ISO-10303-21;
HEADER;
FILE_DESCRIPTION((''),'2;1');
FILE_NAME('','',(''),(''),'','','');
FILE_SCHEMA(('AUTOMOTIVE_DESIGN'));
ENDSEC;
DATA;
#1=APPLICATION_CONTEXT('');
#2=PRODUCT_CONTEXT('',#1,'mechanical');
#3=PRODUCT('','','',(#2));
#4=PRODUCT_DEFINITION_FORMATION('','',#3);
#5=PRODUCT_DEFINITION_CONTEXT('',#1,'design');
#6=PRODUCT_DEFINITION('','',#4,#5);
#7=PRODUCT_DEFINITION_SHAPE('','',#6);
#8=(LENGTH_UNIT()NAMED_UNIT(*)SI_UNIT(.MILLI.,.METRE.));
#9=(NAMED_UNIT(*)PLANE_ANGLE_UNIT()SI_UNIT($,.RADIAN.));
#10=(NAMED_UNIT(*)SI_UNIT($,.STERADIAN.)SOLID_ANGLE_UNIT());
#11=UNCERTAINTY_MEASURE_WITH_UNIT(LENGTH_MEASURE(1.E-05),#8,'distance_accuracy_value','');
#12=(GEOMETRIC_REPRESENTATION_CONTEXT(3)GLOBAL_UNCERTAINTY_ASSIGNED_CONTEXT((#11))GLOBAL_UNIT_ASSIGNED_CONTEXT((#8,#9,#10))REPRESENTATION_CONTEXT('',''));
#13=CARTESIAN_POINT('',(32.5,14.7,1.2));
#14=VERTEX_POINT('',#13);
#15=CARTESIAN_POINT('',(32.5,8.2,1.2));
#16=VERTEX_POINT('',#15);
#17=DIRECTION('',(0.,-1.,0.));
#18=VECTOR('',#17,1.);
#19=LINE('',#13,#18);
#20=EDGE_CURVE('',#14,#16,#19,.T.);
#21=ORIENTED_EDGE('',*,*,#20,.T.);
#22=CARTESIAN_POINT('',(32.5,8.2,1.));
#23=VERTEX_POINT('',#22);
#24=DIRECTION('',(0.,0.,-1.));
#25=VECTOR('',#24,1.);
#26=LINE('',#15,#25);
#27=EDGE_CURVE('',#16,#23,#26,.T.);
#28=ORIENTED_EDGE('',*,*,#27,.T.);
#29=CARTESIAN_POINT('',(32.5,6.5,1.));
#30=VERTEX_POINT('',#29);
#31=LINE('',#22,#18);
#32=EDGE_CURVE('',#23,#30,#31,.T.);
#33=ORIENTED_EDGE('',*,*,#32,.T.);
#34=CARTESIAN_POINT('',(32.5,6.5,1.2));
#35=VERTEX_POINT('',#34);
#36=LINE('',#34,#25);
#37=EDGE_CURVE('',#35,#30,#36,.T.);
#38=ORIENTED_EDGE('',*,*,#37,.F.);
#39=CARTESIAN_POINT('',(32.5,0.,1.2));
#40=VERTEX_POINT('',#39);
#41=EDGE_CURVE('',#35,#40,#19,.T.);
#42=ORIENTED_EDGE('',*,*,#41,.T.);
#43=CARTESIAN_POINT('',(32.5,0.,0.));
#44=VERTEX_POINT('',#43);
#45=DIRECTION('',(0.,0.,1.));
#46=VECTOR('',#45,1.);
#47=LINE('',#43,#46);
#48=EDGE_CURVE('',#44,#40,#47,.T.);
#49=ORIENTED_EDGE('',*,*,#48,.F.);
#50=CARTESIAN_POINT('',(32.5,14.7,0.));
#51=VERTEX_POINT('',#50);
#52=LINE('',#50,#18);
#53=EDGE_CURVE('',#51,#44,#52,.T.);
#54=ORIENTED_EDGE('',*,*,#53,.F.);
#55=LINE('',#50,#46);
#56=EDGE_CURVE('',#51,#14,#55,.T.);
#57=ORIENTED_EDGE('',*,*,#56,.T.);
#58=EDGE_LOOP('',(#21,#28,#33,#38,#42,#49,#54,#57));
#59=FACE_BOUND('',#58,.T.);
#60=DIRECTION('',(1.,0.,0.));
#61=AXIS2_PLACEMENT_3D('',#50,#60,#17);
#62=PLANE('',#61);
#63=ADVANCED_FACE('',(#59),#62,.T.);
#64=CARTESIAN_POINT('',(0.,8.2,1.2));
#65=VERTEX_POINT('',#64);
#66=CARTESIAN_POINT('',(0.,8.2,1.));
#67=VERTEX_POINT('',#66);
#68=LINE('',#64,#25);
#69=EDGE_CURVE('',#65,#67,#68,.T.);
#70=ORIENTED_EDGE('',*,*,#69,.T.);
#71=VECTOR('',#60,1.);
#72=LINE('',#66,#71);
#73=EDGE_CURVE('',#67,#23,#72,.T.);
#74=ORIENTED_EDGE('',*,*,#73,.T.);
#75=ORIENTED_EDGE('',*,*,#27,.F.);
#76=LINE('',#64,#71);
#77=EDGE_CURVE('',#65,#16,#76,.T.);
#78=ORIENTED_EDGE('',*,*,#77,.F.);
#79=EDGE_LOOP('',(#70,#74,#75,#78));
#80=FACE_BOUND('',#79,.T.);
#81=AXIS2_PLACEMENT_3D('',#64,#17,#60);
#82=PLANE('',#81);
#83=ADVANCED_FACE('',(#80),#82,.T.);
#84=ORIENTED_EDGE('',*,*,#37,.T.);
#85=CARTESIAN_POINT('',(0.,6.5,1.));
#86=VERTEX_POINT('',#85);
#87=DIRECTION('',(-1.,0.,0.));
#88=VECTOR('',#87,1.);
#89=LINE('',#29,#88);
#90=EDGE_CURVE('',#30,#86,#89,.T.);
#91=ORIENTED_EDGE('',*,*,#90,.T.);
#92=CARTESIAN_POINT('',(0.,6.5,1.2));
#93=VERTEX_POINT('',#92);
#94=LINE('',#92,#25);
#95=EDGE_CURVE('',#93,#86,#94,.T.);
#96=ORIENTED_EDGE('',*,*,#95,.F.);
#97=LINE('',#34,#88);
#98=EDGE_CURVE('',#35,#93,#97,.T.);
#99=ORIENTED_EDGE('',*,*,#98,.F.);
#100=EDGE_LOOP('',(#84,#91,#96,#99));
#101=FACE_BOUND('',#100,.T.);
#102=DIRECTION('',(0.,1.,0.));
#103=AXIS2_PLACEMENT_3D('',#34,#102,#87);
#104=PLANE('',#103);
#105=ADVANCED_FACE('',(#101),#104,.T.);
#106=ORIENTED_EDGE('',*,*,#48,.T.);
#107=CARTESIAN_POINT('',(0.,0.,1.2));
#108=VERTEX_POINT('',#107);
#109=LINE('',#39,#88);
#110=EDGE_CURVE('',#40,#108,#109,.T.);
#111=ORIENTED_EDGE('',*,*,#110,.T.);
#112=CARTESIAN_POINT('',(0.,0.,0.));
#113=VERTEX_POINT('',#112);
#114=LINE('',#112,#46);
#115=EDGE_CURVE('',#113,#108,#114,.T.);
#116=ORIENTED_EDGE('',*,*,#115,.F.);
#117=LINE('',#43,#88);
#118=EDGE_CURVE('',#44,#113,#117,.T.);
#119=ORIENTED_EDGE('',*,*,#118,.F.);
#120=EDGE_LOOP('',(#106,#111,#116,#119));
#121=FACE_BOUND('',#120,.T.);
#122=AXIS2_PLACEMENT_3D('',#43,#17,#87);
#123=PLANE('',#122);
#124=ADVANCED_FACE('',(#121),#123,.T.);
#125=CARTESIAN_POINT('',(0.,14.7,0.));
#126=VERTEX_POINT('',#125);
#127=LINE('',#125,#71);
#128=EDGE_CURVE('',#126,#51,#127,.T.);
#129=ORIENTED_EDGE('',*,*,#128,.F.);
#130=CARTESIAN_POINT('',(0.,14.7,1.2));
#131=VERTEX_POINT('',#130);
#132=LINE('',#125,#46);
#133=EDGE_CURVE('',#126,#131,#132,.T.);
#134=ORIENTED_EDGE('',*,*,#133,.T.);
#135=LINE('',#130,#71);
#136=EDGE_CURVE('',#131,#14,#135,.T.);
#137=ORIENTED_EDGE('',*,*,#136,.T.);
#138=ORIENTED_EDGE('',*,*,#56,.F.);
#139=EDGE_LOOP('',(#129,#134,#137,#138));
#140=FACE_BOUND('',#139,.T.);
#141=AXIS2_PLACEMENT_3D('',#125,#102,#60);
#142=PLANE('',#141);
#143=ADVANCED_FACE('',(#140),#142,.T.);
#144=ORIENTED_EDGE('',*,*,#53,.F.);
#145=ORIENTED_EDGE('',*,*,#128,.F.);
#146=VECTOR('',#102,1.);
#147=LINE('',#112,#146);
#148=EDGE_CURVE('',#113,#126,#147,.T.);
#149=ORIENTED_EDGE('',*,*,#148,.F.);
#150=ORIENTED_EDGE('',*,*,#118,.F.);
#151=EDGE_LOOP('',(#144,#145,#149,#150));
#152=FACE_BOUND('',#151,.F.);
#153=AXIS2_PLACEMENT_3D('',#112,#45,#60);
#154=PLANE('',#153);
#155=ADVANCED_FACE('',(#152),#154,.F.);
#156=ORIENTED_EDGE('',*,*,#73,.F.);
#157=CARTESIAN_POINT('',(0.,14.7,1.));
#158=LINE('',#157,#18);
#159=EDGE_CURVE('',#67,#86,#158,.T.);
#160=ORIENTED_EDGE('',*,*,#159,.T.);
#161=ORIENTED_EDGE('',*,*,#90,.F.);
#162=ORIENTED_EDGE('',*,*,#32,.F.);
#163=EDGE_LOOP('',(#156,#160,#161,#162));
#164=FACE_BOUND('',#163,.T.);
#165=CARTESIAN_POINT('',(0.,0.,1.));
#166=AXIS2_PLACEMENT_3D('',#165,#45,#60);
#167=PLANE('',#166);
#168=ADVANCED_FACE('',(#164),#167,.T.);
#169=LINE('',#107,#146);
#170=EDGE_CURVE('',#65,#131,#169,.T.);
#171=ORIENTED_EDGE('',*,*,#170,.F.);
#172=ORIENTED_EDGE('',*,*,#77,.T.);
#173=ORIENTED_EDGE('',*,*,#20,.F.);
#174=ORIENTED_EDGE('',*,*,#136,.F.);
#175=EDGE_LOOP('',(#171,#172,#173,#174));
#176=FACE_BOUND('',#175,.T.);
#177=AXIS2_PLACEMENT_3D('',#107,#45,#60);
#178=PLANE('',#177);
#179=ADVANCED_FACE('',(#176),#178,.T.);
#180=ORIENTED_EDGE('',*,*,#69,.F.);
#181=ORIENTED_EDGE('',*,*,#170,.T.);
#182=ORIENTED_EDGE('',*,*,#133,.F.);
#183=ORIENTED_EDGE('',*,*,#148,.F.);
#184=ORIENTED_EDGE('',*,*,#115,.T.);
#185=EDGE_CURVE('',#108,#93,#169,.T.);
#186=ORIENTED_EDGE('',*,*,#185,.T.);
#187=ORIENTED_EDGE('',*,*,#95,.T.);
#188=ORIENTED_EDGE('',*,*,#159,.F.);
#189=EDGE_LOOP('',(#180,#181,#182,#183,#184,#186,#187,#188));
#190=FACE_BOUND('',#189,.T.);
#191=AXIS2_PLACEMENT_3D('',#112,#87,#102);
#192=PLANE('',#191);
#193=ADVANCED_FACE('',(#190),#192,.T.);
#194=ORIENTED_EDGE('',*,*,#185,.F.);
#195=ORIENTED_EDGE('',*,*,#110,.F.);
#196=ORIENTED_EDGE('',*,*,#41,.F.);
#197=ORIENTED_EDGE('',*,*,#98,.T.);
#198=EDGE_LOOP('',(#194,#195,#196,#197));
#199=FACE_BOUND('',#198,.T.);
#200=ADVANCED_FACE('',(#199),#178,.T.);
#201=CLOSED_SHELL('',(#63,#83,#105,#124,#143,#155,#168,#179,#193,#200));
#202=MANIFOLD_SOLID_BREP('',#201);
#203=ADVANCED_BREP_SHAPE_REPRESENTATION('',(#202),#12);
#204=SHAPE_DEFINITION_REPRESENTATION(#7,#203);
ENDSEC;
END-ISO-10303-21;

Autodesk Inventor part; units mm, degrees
ref_plane "YZ Plane" through (0, 0, 0) normal (1, 0, 0) x (0, 1, 0)
ref_plane "XZ Plane" through (0, 0, 0) normal (0, 1, 0) x (-1, 0, 0)
ref_plane "XY Plane" through (0, 0, 0) normal (0, 0, 1) x (1, 0, 0)
sketch "Sketch1" plane through (0, 0, 0) normal (0, 0, 1) x (1, 0, 0)
  line L0 (0, 0) -> (0, 14.7)
  line L1 (0, 14.7) -> (32.5, 14.7)
  line L2 (32.5, 14.7) -> (32.5, 0)
  line L3 (32.5, 0) -> (0, 0)
  dimension "d0" = 14.7
  dimension "d1" = 32.5
extrude "Extrusion1" add sketch "Sketch1" along normal blind 1.2
sketch "Sketch2" plane through (0, 0, 1.2) normal (0, 0, 1) x (1, 0, 0)
  line L0 (0, 14.7) -> (0, 0) projected
  line L1 (0, 0) -> (32.5, 0) projected
  line L2 (0, 8.2) -> (32.5, 8.2)
  line L3 (32.5, 8.2) -> (32.5, 6.5)
  line L4 (32.5, 6.5) -> (0, 6.5)
  line L5 (0, 6.5) -> (0, 8.2)
  dimension "d4" = 32.5
  dimension "d5" = 1.7
  dimension "d6" = 6.5
extrude "Extrusion2" cut sketch "Sketch2" against normal blind 0.2
properties part number "Zijplaat 1"
